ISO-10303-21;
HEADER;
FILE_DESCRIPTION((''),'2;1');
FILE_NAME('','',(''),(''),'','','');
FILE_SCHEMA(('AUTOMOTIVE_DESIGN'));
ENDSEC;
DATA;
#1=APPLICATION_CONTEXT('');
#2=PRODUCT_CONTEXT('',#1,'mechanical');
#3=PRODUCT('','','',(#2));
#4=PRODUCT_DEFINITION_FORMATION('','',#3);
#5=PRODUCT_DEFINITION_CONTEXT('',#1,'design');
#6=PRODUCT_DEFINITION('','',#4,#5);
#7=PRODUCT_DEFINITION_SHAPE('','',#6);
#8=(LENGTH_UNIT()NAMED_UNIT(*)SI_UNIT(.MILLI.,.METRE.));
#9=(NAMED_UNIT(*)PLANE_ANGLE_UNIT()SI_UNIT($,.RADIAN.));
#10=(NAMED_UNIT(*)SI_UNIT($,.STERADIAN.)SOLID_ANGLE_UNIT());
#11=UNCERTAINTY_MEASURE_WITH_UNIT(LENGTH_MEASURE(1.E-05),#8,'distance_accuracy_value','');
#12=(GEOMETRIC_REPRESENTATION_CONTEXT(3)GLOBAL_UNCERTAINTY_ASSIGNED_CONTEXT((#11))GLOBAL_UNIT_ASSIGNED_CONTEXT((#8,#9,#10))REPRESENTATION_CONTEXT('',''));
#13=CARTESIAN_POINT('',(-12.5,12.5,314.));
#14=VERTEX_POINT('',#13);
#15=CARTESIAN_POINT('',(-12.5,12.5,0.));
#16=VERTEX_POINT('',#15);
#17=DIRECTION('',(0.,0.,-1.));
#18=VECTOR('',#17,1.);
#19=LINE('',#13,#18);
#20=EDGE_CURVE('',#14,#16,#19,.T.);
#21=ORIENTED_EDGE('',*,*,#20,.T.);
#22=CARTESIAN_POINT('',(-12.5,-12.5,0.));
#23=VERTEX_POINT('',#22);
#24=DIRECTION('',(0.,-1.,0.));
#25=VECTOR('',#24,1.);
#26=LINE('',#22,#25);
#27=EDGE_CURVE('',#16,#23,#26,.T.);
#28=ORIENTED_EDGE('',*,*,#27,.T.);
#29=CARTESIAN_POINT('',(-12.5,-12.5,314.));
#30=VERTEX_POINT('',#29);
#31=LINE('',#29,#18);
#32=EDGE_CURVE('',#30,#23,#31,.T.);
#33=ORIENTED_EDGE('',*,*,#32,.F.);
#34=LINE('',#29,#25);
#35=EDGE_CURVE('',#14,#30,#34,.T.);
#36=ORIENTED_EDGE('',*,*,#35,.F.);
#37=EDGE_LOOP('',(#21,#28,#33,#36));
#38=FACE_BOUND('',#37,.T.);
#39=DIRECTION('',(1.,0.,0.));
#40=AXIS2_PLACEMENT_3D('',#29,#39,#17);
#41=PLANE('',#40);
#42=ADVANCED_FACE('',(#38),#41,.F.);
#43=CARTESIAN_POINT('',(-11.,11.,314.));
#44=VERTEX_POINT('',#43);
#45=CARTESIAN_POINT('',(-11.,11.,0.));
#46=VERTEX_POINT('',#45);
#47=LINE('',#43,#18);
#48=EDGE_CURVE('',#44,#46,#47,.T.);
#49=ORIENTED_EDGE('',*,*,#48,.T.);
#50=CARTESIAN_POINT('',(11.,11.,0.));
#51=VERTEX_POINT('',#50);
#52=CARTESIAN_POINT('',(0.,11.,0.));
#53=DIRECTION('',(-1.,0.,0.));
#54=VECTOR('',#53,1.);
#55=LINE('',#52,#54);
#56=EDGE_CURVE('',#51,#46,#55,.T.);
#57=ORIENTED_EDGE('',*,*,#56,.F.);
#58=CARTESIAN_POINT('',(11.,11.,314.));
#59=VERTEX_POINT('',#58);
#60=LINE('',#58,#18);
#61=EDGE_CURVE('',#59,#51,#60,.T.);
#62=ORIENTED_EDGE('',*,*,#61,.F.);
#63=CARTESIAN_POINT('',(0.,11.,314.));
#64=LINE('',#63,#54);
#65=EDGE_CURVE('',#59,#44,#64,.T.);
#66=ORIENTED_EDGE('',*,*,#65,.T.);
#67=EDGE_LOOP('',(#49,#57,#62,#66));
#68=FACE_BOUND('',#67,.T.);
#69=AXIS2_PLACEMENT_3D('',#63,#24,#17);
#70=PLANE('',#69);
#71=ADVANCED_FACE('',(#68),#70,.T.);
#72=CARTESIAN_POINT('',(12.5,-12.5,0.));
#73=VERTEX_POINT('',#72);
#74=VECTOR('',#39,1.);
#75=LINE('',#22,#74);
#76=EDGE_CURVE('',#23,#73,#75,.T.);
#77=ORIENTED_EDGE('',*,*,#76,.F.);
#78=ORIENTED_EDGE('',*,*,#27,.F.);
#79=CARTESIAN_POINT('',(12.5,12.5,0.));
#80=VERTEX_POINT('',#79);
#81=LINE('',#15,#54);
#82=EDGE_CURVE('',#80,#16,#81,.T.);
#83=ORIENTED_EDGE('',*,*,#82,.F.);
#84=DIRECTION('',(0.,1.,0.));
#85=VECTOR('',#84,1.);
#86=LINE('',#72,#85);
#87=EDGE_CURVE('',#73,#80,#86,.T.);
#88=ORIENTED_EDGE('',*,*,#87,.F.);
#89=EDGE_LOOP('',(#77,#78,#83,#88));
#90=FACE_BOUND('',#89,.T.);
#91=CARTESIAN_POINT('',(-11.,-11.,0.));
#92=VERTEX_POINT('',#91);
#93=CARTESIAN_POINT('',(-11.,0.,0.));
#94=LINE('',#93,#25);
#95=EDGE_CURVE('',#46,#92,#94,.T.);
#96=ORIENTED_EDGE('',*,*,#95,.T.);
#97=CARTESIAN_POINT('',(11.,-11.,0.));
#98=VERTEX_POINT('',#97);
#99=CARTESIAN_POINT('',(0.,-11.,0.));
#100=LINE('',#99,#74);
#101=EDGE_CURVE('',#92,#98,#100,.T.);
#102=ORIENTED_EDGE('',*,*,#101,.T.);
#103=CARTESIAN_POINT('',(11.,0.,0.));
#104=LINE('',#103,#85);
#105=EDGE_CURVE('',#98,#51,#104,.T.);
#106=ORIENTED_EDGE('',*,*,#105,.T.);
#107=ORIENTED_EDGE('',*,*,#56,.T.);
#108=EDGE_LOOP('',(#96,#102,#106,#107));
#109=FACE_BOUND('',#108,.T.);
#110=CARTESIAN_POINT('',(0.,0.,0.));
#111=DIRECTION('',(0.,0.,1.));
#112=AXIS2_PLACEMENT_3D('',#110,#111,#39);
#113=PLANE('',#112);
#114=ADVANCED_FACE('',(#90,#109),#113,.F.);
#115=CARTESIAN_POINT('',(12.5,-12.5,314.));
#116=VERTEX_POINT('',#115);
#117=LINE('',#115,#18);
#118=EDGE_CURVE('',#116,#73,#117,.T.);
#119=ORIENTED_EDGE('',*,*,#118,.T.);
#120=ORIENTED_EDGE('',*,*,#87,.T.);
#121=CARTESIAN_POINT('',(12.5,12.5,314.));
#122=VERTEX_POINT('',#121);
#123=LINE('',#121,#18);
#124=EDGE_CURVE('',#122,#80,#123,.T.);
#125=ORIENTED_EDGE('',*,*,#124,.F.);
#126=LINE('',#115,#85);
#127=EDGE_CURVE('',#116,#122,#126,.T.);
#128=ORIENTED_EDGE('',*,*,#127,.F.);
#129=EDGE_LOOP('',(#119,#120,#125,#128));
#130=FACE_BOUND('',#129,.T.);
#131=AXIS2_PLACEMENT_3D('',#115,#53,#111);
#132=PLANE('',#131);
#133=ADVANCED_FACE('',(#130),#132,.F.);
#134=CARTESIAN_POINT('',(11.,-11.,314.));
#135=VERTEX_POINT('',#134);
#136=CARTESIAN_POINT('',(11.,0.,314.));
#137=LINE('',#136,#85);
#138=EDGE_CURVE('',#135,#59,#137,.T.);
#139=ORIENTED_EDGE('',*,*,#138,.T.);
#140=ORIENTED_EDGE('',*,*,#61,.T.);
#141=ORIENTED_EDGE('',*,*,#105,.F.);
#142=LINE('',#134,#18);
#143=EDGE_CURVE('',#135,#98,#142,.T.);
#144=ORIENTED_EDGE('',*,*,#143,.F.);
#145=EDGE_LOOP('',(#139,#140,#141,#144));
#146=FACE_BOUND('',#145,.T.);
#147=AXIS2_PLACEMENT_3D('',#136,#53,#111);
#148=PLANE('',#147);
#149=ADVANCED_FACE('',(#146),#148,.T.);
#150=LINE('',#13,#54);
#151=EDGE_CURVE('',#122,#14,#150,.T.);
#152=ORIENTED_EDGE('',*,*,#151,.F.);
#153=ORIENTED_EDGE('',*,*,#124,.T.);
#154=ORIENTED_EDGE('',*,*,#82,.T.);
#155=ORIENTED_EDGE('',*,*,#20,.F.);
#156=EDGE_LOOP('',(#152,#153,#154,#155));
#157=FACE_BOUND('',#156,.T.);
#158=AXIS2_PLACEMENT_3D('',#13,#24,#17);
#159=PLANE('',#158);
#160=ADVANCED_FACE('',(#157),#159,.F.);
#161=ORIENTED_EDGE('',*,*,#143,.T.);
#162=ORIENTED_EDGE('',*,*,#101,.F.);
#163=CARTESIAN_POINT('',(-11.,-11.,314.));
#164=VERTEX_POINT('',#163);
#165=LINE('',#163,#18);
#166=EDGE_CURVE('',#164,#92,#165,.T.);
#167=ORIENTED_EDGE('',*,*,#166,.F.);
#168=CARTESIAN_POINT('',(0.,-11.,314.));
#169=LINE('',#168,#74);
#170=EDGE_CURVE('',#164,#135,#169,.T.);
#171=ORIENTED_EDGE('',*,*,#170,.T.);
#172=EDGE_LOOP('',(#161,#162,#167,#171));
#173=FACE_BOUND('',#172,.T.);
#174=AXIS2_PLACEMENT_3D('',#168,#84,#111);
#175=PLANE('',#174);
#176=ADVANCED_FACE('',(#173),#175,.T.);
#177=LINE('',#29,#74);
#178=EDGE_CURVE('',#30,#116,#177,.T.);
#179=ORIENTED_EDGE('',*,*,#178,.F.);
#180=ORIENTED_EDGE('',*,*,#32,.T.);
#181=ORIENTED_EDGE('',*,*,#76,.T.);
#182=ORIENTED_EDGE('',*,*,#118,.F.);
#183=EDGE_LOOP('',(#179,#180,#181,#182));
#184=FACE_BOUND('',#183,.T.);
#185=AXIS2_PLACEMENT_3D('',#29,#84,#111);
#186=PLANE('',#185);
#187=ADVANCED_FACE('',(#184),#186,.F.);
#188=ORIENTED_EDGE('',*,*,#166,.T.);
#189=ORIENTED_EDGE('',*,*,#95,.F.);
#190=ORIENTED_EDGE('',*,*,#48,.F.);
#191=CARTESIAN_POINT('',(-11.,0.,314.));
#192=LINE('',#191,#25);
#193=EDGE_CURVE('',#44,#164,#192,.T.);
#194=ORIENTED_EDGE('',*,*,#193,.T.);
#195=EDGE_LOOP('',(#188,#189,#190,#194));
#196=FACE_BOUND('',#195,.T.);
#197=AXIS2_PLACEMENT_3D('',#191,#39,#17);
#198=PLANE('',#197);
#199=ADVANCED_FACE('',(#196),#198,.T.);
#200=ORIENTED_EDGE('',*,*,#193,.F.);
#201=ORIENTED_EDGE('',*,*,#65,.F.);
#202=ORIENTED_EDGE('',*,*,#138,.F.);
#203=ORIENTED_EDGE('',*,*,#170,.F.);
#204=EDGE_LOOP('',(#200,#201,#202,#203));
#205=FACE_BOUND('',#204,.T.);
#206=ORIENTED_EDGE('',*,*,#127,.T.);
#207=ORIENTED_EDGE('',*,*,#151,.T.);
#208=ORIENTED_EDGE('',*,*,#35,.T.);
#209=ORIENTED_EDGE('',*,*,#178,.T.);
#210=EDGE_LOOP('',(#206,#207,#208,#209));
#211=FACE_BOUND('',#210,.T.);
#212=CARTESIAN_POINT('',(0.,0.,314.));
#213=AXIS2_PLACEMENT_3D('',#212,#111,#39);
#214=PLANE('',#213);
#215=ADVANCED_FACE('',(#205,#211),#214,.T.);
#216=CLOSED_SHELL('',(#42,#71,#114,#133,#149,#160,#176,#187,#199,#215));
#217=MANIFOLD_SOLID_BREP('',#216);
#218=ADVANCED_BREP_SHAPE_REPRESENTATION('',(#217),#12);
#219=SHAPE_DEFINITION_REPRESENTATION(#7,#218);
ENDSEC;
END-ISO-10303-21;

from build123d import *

# Parameters (mm, degrees)
SKETCH_1_W      = 25
SKETCH_1_H      = 25
SKETCH_1_W_2    = 22
SKETCH_1_H_2    = 22
EXTRUDE_1_DEPTH = 314


with BuildPart() as part:
    # Эскиз1 → Вытянуть-Тонкостенный1 (new body)
    with BuildSketch(Plane.XY):
        Rectangle(SKETCH_1_W, SKETCH_1_H)
        Rectangle(SKETCH_1_W_2, SKETCH_1_H_2, mode=Mode.SUBTRACT)
    extrude(amount=EXTRUDE_1_DEPTH)


solid = part.part
